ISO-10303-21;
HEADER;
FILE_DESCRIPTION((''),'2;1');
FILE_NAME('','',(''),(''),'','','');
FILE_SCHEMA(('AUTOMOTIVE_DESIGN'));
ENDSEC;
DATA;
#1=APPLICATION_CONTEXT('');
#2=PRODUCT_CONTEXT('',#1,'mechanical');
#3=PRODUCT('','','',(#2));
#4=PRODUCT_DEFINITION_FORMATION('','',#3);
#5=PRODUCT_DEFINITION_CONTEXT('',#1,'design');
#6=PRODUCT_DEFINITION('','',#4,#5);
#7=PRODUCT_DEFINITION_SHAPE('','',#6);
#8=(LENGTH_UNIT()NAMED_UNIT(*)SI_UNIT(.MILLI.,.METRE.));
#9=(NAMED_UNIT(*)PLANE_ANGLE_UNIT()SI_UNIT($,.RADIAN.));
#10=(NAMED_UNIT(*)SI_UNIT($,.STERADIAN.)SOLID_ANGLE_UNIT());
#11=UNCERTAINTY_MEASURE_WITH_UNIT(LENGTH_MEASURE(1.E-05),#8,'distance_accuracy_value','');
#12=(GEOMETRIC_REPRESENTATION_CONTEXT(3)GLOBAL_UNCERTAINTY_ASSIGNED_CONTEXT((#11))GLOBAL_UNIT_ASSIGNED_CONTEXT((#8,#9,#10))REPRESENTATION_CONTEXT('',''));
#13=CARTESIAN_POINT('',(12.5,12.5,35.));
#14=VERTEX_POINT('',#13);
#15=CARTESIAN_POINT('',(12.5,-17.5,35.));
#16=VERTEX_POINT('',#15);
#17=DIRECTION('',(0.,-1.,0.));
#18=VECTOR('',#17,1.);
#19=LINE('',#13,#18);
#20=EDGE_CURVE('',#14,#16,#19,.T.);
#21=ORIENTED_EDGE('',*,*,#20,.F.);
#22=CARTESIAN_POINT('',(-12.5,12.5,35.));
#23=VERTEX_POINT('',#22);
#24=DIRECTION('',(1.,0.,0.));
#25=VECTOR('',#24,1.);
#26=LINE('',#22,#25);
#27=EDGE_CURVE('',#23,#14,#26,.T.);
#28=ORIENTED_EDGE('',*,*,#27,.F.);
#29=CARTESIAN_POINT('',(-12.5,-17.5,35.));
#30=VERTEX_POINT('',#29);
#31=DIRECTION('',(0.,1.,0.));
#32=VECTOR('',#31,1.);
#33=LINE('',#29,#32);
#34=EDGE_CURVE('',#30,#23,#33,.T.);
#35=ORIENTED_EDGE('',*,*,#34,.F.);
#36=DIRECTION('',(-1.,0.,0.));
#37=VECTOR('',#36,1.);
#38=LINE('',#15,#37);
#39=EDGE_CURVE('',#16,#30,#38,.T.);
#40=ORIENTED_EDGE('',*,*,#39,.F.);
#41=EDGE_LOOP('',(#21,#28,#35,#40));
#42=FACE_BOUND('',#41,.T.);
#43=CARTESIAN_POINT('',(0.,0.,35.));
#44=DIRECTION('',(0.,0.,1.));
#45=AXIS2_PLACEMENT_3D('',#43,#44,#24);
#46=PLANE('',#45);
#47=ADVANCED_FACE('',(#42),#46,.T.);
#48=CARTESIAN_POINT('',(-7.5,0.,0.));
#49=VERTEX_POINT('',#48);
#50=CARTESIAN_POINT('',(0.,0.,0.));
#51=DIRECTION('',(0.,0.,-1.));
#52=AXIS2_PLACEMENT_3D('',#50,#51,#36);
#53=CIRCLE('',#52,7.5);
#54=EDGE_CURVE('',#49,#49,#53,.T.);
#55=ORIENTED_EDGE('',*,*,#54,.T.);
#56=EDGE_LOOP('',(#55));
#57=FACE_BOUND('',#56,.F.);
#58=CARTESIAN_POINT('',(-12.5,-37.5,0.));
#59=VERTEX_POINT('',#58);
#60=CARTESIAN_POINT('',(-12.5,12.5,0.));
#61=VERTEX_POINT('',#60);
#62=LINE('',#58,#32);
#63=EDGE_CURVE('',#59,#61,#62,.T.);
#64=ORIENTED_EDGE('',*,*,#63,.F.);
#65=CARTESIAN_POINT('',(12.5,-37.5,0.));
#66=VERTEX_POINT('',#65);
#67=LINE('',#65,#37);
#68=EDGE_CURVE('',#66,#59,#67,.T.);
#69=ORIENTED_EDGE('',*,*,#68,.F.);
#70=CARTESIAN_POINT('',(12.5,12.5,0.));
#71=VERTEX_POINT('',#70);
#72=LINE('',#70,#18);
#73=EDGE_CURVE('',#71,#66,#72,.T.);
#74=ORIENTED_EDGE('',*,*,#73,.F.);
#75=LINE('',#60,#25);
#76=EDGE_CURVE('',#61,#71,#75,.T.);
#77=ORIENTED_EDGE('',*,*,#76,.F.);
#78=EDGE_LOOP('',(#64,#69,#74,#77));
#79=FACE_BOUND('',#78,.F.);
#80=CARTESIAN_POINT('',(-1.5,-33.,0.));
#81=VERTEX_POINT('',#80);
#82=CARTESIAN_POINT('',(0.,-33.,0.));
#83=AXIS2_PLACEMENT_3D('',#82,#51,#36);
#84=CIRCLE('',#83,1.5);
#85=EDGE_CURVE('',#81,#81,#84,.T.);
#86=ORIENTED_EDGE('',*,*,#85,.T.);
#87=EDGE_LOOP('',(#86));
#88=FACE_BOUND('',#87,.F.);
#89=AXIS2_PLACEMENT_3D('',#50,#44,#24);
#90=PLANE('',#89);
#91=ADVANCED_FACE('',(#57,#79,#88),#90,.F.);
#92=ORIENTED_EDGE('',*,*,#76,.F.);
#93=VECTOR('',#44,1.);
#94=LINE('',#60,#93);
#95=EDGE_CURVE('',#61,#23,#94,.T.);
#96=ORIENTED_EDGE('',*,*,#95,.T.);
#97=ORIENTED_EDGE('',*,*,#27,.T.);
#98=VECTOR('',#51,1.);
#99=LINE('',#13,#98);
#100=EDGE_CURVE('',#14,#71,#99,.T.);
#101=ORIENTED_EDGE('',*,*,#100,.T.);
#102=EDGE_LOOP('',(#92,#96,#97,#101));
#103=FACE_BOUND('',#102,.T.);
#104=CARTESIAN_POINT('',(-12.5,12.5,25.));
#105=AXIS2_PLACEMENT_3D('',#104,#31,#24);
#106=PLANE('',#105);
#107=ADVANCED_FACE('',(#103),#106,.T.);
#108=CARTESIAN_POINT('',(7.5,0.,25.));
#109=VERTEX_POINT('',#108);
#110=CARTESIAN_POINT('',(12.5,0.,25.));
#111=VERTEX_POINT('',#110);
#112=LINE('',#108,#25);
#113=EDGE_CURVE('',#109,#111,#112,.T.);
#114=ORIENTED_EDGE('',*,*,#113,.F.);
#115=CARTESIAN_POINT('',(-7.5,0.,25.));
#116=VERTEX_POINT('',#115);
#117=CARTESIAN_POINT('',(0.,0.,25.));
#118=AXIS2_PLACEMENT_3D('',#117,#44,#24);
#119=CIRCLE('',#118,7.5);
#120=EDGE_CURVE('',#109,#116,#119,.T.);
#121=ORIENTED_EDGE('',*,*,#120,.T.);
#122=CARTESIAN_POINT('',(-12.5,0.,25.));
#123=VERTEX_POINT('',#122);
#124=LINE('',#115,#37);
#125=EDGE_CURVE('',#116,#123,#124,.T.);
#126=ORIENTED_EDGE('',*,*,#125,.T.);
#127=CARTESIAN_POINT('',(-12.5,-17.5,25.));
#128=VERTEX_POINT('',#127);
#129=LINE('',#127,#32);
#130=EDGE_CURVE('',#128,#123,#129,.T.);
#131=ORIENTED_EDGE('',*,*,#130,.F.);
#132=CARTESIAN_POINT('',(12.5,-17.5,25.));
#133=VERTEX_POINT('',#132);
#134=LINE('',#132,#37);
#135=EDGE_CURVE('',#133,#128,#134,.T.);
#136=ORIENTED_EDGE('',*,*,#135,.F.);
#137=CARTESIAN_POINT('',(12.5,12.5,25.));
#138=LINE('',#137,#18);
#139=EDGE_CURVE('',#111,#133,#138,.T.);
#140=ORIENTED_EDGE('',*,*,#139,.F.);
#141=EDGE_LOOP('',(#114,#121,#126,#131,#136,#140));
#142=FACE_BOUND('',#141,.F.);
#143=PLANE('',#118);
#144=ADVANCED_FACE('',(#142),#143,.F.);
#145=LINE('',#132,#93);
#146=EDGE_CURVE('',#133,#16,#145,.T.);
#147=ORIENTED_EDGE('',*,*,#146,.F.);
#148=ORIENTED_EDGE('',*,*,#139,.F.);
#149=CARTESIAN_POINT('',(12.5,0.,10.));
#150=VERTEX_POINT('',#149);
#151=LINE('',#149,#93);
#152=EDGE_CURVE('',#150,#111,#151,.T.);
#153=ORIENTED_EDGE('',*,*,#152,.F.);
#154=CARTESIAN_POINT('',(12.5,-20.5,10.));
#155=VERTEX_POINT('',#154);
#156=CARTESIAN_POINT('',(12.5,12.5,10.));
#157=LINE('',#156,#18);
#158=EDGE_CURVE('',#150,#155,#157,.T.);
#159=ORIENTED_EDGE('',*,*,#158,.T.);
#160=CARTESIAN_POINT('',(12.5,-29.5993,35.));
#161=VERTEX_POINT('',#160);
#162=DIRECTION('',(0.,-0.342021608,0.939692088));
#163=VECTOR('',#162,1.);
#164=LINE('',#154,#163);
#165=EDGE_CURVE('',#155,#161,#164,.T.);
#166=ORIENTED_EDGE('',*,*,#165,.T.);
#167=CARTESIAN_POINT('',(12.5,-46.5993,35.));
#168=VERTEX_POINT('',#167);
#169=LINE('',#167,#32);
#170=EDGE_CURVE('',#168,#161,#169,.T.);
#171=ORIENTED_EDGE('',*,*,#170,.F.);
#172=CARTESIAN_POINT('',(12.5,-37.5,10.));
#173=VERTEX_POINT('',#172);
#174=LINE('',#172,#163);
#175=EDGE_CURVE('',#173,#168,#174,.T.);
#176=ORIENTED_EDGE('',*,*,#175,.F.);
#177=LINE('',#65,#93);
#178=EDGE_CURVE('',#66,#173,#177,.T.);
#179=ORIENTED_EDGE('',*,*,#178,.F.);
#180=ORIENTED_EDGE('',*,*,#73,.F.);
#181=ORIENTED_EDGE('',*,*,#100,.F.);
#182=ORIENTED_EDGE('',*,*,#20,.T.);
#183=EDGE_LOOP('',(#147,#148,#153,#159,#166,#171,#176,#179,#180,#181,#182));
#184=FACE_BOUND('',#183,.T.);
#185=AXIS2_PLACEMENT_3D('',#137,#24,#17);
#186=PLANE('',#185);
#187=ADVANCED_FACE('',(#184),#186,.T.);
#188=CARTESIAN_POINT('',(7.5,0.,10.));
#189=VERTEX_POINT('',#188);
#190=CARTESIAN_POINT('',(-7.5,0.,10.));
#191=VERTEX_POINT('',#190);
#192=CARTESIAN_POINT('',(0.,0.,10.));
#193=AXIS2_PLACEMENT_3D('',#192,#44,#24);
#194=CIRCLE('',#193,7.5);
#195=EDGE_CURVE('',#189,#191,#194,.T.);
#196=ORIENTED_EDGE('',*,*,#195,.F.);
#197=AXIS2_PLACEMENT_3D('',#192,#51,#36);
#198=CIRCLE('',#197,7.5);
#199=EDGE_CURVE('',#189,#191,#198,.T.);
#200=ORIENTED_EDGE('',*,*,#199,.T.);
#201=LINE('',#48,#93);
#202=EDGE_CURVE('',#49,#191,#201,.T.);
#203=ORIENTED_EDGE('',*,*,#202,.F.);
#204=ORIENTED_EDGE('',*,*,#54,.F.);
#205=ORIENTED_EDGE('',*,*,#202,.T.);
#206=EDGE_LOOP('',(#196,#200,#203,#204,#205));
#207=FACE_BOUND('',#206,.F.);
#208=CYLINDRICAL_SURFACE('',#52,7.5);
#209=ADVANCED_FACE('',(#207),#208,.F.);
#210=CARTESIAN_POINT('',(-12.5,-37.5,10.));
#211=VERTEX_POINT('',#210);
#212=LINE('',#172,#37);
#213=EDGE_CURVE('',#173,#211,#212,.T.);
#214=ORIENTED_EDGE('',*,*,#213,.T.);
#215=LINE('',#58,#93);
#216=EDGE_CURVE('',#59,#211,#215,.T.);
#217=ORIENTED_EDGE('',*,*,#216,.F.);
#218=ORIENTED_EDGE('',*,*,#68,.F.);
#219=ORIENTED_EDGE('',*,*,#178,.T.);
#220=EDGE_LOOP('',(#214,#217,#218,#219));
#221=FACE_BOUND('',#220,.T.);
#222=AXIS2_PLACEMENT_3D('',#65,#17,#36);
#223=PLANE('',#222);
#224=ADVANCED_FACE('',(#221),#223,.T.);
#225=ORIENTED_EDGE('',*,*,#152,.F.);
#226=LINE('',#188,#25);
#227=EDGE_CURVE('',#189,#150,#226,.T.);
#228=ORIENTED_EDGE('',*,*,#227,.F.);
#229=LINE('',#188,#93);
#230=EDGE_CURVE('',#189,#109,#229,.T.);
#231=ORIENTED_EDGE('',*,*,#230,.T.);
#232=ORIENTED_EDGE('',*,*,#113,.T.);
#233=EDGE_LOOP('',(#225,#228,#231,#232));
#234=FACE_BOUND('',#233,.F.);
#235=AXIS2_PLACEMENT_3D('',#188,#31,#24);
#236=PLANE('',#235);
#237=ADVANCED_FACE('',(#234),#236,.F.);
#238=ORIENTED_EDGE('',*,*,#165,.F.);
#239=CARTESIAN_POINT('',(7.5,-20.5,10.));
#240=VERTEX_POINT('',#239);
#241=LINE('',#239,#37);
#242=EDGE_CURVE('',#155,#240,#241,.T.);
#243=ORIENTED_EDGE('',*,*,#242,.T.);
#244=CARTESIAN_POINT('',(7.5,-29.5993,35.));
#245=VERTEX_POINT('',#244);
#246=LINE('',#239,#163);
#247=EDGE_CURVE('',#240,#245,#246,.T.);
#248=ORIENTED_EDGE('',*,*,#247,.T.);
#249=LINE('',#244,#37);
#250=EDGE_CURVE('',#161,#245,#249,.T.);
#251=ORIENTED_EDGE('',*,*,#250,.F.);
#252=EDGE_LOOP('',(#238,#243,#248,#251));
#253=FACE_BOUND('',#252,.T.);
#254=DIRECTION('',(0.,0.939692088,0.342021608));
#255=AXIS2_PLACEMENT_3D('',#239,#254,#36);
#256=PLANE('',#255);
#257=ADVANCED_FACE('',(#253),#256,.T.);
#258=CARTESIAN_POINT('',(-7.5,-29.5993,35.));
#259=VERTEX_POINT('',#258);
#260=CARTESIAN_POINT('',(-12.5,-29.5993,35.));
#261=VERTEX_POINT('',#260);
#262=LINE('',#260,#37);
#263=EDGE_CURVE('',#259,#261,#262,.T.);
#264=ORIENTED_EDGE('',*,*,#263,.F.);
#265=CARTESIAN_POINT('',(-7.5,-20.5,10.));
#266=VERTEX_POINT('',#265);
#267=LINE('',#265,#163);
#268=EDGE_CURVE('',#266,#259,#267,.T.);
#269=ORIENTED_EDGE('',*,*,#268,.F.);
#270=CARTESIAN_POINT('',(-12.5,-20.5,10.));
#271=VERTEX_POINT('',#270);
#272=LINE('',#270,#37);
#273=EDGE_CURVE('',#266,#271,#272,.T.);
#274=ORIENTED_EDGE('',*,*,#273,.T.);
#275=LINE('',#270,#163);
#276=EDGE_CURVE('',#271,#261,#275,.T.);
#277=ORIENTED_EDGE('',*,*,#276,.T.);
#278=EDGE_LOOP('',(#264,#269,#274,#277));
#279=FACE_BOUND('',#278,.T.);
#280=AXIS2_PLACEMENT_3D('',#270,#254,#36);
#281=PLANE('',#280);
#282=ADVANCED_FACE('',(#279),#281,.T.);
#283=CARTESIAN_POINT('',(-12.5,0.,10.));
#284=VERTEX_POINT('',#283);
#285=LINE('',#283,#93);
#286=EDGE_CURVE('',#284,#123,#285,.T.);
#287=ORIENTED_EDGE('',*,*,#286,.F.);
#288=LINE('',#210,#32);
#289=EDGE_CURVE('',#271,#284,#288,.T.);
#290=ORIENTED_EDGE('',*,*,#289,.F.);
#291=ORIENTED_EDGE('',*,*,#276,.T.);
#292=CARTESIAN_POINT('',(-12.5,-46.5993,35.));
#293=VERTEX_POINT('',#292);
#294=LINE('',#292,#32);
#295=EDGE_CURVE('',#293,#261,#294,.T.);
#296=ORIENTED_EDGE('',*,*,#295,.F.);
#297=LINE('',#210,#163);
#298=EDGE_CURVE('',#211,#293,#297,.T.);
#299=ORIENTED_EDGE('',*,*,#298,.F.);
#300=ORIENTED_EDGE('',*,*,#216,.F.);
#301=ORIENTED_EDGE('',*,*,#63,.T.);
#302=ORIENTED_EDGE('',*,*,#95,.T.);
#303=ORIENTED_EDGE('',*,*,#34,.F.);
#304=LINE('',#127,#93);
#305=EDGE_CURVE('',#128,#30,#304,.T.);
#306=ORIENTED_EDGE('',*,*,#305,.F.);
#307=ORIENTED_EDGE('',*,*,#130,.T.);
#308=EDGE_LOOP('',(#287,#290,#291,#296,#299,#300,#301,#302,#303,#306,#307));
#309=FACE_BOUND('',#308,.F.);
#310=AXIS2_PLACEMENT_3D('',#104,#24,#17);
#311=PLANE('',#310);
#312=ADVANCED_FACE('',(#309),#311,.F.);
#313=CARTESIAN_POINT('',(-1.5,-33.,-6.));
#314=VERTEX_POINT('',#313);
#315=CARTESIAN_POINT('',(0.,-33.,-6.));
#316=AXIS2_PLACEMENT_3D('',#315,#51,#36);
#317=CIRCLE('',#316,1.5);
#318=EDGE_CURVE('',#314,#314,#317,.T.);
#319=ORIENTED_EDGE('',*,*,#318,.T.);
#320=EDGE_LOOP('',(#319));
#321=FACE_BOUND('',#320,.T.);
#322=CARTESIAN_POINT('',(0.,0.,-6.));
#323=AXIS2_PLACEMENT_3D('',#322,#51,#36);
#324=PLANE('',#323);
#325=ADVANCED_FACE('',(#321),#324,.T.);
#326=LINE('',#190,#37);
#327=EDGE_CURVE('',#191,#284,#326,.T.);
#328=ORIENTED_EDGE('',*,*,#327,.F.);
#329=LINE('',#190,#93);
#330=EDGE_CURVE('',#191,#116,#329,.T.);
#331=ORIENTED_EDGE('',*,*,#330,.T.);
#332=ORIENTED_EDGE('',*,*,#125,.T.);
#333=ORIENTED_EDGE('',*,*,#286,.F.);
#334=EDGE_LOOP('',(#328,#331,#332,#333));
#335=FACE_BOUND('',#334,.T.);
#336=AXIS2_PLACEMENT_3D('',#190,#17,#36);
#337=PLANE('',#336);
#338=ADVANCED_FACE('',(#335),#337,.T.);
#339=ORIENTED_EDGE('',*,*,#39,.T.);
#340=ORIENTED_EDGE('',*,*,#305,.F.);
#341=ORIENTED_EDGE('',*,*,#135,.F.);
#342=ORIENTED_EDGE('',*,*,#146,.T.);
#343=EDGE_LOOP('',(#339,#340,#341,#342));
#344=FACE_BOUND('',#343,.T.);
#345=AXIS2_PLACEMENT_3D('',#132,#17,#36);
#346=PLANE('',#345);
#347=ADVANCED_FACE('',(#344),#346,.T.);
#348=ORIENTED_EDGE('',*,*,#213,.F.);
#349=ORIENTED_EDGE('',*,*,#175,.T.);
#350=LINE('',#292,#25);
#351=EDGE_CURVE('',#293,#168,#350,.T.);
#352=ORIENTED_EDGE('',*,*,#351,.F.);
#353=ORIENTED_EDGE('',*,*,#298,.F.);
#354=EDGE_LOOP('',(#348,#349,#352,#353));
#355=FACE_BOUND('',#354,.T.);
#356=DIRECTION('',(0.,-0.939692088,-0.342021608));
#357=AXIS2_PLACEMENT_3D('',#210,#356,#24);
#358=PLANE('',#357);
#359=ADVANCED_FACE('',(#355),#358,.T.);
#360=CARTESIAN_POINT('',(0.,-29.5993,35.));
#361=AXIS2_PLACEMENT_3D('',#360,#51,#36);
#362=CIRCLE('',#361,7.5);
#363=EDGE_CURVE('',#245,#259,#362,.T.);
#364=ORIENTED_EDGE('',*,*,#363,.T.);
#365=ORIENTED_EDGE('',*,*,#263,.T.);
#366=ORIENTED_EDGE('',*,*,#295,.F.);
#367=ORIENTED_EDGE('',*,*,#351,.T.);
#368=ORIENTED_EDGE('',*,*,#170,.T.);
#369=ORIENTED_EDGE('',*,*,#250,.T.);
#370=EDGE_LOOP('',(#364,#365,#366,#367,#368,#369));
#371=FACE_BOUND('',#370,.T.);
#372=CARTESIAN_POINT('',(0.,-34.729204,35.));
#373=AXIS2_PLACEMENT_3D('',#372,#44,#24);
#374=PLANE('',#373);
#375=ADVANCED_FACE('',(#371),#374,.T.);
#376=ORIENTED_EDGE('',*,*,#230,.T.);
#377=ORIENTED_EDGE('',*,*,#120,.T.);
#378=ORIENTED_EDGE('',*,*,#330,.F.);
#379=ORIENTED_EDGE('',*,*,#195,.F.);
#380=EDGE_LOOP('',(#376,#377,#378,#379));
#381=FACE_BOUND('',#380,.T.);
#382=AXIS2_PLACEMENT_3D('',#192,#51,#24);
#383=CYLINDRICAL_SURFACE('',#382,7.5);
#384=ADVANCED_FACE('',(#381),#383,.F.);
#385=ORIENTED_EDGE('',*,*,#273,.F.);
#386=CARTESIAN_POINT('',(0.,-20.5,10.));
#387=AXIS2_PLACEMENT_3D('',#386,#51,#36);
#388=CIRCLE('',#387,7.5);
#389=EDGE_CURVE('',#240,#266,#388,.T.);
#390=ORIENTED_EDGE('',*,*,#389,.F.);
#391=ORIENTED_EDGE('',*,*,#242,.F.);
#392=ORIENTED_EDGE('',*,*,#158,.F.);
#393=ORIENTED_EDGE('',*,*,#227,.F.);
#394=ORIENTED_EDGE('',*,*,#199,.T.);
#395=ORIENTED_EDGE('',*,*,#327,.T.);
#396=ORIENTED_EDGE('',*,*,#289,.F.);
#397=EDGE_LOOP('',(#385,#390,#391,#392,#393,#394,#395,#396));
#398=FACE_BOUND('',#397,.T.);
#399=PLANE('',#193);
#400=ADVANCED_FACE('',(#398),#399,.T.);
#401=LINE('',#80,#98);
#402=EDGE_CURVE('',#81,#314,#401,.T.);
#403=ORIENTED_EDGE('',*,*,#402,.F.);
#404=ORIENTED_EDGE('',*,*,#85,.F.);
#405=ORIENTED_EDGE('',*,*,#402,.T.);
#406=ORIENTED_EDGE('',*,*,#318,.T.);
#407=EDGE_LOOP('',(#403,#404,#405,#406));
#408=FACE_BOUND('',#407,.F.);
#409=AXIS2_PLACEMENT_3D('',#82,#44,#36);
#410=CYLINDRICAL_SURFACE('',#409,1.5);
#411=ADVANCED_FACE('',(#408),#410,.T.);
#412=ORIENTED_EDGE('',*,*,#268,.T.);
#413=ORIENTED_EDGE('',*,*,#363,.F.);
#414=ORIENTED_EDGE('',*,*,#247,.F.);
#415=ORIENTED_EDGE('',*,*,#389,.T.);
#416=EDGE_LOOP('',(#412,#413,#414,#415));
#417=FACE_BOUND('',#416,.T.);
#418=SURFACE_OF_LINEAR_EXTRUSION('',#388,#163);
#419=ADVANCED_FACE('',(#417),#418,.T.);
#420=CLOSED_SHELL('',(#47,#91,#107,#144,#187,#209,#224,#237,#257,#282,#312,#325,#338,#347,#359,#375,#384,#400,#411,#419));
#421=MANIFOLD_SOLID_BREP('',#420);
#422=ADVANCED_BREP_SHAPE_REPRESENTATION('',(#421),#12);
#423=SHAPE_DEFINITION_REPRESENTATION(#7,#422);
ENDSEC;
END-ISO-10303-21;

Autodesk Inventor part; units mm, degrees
ref_plane "YZ Plane" through (0, 0, 0) normal (1, 0, 0) x (0, 1, 0)
ref_plane "XZ Plane" through (0, 0, 0) normal (0, 1, 0) x (-1, 0, 0)
sketch "Sketch1" plane through (0, 0, 0) normal (0, 0, 1) x (1, 0, 0)
  line L0 (-12.5, 12.5) -> (12.5, 12.5)
  line L1 (12.5, 12.5) -> (12.5, -37.5)
  line L2 (12.5, -37.5) -> (-12.5, -37.5)
  line L3 (-12.5, -37.5) -> (-12.5, 12.5)
  point P0 (0, 0)
  dimension "d0" = 25
  dimension "d1" = 50
  dimension "d2" = 12.5
  dimension "d3" = 12.5
extrude "Extrusion1" add sketch "Sketch1" along normal blind 10
sketch "Sketch2" plane through (0, 0, 0) normal (0, 0, -1) x (-1, 0, 0)
  circle A0 centre (0, -33) radius 1.5
  circle A1 centre (0, 0) radius 7.5
  dimension "d7" = 3
  dimension "d8" = 33
  dimension "d17" = 15
extrude "Extrusion2" add sketch "Sketch2" along normal blind 6 contours A0
sketch "Sketch3" plane through (0, 0, 10) normal (0, 0, 1) x (1, 0, 0)
  arc A0 (7.5, 0) -> (-7.5, 0) centre (0, 0) ccw
  line L0 (-7.5, 0) -> (-12.5, 0)
  line L1 (-12.5, 12.5) -> (-12.5, -37.5) projected
  line L2 (-12.5, 0) -> (-12.5, 12.5)
  line L3 (12.5, 12.5) -> (-12.5, 12.5) projected
  line L4 (12.5, 12.5) -> (12.5, 0)
  line L5 (12.5, -37.5) -> (12.5, 12.5) projected
  line L6 (7.5, 0) -> (12.5, 0)
  dimension "d11" = 15
extrude "Extrusion3" add sketch "Sketch3" along normal blind 15
sketch "Sketch4" plane through (0, 0, 25) normal (0, 0, 1) x (1, 0, 0)
  line L0 (-12.5, 12.5) -> (-12.5, 0) projected
  line L1 (-12.5, 12.5) -> (12.5, 12.5)
  line L2 (12.5, 12.5) -> (12.5, -17.5)
  line L3 (12.5, -17.5) -> (-12.5, -17.5)
  line L4 (-12.5, -17.5) -> (-12.5, 12.5)
  point P0 (0, 0)
  dimension "d14" = 25
  dimension "d21" = 30
extrude "Extrusion4" add sketch "Sketch4" along normal blind 10
sketch "Sketch5" plane through (0, 0, 0) normal (0, 0, -1) x (-1, 0, 0)
  circle A0 centre (0, 0) radius 7.5
  dimension "d18" = 15
extrude "Extrusion5" cut sketch "Sketch5" against normal blind 10
sketch "Sketch6" plane through (0, 0, 10) normal (0, 0, 1) x (1, 0, 0)
  line L0 (-12.5, -20.5) -> (-12.5, -37.5)
  line L1 (-12.5, -37.5) -> (12.5, -37.5) projected
  line L2 (-12.5, -37.5) -> (12.5, -37.5)
  line L3 (12.5, -37.5) -> (12.5, -20.5)
  line L4 (12.5, -37.5) -> (12.5, 0) projected
  arc A0 (-7.5, -20.5) -> (7.5, -20.5) centre (0, -20.5) ccw
  line L5 (-12.5, -20.5) -> (-7.5, -20.5)
  line L6 (7.5, -20.5) -> (12.5, -20.5)
  line L7 (-12.5, 0) -> (-12.5, -37.5) projected
  line L8 (-12.5, -29) -> (12.5, -29)
  point P0 (0, 0)
  dimension "d22" = 15
  dimension "d23" = 17
  dimension "d24" = 17
ref_plane "Work Plane1" through (0, -37.5, 0) normal (-1, 0, 0) x (0, 0, 1)
sketch "Sketch8" plane through (0, -37.5, 0) normal (-1, 0, 0) x (0, 0, 1)
  line L0 (10, 0) -> (10, 37.5) projected
  line L1 (10, 8.5) -> (35, -0.5993)
  line L2 (10, 8.5) -> (36.6044, 8.5) construction
  line L3 (0, 0) -> (10, 0) projected
  point P0 (0, 37.5)
  dimension "d26" = 20
  dimension "d27" = 8.5
  dimension "d32" = 25
sweep "Sweep1" add profiles "Sketch6" path "Sketch8" path curves L1
thread "Thread1"
equation "\"d2\" = 0.5 * d0"
equation "\"d24\" = d23"
properties part number "top_part"
